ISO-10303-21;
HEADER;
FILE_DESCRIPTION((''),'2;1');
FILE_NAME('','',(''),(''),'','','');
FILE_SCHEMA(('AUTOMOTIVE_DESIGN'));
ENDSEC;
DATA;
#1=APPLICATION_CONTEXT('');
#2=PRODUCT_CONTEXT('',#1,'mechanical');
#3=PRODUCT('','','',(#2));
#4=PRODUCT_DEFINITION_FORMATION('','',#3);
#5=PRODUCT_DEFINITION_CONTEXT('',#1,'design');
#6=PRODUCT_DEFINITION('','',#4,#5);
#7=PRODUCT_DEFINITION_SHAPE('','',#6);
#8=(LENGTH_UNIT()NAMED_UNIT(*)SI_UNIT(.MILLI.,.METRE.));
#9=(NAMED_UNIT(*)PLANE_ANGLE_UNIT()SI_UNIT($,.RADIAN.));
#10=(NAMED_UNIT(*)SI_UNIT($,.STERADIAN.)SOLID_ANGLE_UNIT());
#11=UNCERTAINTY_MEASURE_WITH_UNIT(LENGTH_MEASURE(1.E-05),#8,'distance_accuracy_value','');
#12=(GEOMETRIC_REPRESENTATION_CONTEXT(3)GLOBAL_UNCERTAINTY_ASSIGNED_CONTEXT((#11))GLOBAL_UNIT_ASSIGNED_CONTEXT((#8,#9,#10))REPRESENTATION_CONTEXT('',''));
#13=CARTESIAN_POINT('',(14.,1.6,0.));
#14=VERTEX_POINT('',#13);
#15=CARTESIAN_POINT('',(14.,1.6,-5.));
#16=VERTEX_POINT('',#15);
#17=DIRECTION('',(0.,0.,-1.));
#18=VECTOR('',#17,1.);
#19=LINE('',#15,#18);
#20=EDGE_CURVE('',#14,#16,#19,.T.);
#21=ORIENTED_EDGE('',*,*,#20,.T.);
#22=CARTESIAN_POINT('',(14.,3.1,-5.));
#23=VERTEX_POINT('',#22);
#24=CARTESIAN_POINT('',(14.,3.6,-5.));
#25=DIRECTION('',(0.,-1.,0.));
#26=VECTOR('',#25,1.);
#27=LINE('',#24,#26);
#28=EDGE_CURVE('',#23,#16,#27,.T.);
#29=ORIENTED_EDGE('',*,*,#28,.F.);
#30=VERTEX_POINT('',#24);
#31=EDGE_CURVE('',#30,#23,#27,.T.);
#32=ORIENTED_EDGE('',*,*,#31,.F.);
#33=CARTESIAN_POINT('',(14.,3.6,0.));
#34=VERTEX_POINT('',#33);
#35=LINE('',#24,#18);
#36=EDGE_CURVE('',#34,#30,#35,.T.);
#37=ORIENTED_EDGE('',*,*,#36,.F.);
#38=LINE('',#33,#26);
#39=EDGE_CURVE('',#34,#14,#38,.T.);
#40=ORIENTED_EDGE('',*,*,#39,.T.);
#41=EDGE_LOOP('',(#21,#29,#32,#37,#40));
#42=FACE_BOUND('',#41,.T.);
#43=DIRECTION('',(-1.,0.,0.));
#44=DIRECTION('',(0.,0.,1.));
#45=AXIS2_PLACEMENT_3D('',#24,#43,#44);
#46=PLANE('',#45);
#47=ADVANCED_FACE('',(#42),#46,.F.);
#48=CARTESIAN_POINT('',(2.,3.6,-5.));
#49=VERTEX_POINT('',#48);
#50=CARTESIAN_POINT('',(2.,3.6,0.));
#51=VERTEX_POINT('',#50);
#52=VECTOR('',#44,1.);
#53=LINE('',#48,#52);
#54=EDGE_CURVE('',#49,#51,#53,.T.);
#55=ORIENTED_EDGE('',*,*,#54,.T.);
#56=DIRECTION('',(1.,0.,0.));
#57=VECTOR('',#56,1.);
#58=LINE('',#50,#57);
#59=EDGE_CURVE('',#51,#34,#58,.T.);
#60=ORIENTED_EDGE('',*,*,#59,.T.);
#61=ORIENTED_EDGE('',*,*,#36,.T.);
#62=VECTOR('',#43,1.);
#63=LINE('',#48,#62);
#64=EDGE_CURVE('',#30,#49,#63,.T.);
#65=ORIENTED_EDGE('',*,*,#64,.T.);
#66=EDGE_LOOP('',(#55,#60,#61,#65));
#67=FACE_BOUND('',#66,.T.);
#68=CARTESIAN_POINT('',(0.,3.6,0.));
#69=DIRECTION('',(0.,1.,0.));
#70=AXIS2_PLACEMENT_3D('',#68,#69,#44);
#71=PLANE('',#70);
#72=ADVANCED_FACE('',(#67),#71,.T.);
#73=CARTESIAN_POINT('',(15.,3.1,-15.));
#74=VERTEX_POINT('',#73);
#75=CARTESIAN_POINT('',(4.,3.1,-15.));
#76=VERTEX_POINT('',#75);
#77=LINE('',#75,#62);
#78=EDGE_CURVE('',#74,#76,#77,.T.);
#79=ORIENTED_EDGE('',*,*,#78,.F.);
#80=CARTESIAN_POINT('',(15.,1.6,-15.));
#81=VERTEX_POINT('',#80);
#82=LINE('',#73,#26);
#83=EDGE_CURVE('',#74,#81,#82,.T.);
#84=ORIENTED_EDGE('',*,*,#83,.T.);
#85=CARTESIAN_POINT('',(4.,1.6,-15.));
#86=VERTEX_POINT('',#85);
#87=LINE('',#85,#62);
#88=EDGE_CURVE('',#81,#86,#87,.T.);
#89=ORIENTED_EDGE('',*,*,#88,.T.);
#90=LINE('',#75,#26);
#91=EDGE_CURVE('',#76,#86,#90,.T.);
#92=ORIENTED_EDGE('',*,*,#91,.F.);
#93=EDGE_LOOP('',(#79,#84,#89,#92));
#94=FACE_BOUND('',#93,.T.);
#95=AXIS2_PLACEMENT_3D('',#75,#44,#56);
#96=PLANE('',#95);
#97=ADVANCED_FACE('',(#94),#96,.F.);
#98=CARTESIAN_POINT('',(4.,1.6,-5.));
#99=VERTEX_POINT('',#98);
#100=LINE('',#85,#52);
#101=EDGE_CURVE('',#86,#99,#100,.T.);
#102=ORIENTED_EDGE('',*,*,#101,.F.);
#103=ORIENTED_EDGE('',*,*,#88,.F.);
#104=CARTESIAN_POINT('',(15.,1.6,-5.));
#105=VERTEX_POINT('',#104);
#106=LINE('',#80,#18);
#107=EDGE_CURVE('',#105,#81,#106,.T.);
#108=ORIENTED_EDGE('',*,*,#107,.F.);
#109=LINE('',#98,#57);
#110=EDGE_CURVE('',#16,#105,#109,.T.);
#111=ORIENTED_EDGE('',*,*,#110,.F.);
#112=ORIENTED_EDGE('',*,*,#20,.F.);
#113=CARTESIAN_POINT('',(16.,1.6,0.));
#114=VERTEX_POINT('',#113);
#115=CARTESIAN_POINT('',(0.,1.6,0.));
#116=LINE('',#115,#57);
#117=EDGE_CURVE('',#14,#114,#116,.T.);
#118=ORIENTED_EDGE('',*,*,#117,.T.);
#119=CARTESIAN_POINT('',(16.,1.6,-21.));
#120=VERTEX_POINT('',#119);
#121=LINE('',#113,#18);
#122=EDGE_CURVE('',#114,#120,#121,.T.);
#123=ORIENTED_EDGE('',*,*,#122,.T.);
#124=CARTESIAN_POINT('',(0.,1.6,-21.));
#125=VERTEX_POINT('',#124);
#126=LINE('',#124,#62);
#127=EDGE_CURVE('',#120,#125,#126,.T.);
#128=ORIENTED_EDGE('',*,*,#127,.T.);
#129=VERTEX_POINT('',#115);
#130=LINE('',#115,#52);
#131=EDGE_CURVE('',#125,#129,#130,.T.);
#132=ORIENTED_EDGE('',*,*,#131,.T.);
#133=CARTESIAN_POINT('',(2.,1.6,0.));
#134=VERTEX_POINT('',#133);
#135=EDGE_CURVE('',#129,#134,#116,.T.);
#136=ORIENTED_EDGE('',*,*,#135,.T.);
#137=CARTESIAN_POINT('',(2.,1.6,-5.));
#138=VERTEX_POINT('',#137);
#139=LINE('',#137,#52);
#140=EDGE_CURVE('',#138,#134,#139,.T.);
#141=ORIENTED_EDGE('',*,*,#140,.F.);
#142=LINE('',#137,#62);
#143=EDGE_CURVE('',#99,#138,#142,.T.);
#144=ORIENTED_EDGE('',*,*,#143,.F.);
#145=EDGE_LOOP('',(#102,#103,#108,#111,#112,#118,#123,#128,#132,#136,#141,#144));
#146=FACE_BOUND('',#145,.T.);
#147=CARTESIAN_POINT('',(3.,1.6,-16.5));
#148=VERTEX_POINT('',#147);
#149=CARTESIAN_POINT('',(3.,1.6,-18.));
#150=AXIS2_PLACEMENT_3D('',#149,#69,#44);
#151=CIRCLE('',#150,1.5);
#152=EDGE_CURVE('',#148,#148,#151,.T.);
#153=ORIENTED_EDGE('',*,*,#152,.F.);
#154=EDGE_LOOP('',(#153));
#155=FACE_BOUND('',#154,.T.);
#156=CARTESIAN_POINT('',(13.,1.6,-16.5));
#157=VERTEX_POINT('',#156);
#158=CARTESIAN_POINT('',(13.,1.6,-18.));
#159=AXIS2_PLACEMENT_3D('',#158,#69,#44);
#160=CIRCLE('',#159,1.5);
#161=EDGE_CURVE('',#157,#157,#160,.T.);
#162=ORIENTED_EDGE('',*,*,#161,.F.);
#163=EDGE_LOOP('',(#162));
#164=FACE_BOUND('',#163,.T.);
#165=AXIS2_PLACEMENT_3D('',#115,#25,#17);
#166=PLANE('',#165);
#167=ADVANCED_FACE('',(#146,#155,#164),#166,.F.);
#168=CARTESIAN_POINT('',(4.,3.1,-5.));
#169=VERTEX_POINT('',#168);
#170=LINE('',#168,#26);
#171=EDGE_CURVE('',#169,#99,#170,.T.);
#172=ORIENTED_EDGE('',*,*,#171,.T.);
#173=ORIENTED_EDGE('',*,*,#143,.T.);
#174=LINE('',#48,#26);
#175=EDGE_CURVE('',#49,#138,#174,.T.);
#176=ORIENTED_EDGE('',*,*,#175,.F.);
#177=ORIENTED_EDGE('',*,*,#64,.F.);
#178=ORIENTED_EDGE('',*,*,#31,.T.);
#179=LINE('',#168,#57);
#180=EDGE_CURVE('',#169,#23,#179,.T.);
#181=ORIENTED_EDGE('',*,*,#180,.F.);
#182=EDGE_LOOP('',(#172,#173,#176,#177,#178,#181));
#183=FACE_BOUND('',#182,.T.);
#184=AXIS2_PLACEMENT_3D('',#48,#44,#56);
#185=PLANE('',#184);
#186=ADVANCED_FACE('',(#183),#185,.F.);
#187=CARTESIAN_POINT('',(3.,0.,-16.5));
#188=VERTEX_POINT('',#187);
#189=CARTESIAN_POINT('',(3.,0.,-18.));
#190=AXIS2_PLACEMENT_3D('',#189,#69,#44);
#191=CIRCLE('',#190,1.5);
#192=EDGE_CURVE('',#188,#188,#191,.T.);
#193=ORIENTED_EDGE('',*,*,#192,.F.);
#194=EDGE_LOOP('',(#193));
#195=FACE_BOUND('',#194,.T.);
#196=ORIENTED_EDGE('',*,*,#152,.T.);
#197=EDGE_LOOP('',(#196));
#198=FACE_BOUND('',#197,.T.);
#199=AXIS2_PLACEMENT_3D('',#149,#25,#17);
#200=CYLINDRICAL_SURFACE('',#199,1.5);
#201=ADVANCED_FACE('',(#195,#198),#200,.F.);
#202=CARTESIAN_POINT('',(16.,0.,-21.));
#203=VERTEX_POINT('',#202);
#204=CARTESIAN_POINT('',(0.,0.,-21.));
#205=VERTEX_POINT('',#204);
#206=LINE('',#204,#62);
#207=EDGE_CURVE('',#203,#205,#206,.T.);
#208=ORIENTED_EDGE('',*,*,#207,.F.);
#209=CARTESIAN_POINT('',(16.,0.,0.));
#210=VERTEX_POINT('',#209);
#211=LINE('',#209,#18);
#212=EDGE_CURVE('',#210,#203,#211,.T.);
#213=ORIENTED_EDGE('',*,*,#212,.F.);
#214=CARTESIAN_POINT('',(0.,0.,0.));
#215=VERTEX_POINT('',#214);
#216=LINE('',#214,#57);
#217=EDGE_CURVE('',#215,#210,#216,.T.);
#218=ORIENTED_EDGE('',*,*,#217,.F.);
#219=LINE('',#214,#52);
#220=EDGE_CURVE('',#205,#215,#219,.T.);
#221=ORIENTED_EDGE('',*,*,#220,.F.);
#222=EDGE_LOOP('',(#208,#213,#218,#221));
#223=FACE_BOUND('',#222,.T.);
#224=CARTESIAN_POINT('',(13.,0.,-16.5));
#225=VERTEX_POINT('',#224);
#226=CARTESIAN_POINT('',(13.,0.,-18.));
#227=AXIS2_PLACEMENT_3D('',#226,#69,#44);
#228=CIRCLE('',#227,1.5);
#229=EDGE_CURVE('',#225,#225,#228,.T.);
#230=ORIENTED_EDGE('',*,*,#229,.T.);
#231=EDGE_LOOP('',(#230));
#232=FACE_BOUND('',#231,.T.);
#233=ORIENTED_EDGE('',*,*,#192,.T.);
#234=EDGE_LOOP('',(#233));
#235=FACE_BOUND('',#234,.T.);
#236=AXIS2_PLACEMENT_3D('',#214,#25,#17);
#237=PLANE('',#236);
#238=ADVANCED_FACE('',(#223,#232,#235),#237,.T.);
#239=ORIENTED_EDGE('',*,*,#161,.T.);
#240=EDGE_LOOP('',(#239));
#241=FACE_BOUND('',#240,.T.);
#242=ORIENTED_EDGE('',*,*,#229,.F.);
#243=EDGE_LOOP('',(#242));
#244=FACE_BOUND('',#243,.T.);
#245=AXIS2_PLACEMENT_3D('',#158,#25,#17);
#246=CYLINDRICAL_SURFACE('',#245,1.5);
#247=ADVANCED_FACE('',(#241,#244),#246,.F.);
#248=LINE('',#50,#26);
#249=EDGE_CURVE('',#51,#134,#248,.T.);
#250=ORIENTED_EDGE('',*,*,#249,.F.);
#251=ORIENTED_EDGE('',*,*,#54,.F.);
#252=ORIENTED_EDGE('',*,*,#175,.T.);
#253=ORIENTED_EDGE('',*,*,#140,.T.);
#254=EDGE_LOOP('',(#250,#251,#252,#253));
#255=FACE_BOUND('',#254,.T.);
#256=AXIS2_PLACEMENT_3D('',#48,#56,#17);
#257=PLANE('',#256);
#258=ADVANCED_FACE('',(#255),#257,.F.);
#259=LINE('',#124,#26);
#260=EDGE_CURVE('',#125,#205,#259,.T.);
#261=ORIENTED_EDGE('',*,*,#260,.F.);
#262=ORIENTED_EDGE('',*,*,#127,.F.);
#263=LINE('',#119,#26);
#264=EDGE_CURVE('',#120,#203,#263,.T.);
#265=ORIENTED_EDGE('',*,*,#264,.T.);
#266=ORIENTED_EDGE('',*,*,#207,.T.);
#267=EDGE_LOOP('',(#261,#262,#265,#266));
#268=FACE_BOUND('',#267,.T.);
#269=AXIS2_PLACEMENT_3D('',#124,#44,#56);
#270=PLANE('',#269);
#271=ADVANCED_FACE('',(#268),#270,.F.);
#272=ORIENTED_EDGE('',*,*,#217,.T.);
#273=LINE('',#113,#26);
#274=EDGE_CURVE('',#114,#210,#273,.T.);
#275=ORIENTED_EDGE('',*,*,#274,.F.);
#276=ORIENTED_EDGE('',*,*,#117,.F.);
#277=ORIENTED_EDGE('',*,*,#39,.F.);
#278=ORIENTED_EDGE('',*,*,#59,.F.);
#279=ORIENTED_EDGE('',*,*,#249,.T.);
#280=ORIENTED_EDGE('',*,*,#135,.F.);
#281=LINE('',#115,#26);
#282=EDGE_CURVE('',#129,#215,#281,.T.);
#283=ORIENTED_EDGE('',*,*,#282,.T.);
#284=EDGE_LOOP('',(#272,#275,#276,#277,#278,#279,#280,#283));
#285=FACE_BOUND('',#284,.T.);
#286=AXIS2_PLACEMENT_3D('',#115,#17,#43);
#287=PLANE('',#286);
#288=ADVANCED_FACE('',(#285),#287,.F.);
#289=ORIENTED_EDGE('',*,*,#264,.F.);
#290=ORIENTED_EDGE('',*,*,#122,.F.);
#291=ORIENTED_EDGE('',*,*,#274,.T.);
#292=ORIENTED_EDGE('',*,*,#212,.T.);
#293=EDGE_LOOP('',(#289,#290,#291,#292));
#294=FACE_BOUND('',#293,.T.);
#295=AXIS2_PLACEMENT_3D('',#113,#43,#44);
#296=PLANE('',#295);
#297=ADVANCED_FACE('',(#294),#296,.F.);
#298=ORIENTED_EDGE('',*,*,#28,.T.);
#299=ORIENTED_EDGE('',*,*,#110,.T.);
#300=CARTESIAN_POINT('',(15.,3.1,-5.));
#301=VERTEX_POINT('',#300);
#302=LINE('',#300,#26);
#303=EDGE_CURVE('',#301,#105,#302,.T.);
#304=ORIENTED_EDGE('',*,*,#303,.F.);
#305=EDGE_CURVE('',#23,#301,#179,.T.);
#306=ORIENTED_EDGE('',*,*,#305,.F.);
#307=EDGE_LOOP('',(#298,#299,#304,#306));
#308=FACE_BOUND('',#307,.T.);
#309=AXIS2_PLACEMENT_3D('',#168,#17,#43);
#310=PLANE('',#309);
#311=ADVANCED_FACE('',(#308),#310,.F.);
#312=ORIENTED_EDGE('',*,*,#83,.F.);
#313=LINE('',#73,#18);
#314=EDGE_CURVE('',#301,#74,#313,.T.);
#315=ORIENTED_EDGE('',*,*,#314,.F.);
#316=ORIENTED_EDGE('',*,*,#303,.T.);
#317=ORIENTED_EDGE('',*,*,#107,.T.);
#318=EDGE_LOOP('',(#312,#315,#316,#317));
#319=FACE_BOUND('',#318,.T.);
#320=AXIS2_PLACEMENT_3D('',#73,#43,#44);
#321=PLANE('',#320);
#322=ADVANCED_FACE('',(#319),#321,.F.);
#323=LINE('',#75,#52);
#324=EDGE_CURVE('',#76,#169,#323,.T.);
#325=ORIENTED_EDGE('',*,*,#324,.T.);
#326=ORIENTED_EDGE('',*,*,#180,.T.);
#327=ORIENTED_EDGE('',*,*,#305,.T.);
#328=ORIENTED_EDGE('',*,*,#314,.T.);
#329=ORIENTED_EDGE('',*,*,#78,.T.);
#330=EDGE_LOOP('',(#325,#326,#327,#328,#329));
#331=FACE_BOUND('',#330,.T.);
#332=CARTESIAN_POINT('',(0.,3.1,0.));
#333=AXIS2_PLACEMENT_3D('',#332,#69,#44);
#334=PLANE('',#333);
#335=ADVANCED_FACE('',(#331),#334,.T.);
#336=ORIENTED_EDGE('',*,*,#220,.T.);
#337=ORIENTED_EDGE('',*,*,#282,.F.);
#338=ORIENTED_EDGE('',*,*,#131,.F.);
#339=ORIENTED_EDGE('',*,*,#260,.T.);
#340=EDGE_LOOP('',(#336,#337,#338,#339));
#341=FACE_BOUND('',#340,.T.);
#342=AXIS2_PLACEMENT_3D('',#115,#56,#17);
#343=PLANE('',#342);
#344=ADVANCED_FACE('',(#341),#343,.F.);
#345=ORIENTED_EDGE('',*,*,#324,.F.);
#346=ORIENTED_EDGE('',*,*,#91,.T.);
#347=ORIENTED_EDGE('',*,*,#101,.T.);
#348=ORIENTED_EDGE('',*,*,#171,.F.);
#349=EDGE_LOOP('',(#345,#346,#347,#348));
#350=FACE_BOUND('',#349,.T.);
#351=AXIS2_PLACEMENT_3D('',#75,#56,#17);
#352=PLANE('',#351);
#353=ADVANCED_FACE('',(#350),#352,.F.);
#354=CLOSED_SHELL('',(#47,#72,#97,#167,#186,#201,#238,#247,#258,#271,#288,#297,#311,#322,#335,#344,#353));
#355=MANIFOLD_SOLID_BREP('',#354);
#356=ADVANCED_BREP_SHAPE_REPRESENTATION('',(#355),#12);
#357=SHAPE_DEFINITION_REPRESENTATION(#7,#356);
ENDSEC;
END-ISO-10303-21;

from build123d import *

# Parameters (mm, degrees)
SKETCH1_W           = 16
SKETCH1_H           = 21
SKETCH1_R           = 1.5
BOSS_EXTRUDE1_DEPTH = 1.6
SKETCH2_W           = 11
SKETCH2_H           = 10
BOSS_EXTRUDE2_DEPTH = 1.5
SKETCH3_W           = 12
SKETCH3_H           = 5
BOSS_EXTRUDE3_DEPTH = 2


with BuildPart() as part:
    # Sketch1 → Boss-Extrude1 (new body)
    with BuildSketch(Plane(origin=(0, 0, 0), x_dir=(1, 0, 0), z_dir=(0, 1, 0))):
        with Locations((8, 10.5)):
            Rectangle(SKETCH1_W, SKETCH1_H)
        with Locations(Location((3, 18, 0), (0, 0, 270))):
            Circle(SKETCH1_R, mode=Mode.SUBTRACT)
        with Locations(Location((13, 18, 0), (0, 0, 270))):
            Circle(SKETCH1_R, mode=Mode.SUBTRACT)
    extrude(amount=BOSS_EXTRUDE1_DEPTH)

    # Sketch2 → Boss-Extrude2 (add)
    with BuildSketch(Plane(origin=(0, 1.6, 0), x_dir=(1, 0, 0), z_dir=(0, 1, 0))):
        with Locations((9.5, 10)):
            Rectangle(SKETCH2_W, SKETCH2_H)
    extrude(amount=BOSS_EXTRUDE2_DEPTH)

    # Sketch3 → Boss-Extrude3 (add)
    with BuildSketch(Plane(origin=(0, 1.6, 0), x_dir=(1, 0, 0), z_dir=(0, 1, 0))):
        with Locations((8, 2.5)):
            Rectangle(SKETCH3_W, SKETCH3_H)
    extrude(amount=BOSS_EXTRUDE3_DEPTH)


solid = part.part
